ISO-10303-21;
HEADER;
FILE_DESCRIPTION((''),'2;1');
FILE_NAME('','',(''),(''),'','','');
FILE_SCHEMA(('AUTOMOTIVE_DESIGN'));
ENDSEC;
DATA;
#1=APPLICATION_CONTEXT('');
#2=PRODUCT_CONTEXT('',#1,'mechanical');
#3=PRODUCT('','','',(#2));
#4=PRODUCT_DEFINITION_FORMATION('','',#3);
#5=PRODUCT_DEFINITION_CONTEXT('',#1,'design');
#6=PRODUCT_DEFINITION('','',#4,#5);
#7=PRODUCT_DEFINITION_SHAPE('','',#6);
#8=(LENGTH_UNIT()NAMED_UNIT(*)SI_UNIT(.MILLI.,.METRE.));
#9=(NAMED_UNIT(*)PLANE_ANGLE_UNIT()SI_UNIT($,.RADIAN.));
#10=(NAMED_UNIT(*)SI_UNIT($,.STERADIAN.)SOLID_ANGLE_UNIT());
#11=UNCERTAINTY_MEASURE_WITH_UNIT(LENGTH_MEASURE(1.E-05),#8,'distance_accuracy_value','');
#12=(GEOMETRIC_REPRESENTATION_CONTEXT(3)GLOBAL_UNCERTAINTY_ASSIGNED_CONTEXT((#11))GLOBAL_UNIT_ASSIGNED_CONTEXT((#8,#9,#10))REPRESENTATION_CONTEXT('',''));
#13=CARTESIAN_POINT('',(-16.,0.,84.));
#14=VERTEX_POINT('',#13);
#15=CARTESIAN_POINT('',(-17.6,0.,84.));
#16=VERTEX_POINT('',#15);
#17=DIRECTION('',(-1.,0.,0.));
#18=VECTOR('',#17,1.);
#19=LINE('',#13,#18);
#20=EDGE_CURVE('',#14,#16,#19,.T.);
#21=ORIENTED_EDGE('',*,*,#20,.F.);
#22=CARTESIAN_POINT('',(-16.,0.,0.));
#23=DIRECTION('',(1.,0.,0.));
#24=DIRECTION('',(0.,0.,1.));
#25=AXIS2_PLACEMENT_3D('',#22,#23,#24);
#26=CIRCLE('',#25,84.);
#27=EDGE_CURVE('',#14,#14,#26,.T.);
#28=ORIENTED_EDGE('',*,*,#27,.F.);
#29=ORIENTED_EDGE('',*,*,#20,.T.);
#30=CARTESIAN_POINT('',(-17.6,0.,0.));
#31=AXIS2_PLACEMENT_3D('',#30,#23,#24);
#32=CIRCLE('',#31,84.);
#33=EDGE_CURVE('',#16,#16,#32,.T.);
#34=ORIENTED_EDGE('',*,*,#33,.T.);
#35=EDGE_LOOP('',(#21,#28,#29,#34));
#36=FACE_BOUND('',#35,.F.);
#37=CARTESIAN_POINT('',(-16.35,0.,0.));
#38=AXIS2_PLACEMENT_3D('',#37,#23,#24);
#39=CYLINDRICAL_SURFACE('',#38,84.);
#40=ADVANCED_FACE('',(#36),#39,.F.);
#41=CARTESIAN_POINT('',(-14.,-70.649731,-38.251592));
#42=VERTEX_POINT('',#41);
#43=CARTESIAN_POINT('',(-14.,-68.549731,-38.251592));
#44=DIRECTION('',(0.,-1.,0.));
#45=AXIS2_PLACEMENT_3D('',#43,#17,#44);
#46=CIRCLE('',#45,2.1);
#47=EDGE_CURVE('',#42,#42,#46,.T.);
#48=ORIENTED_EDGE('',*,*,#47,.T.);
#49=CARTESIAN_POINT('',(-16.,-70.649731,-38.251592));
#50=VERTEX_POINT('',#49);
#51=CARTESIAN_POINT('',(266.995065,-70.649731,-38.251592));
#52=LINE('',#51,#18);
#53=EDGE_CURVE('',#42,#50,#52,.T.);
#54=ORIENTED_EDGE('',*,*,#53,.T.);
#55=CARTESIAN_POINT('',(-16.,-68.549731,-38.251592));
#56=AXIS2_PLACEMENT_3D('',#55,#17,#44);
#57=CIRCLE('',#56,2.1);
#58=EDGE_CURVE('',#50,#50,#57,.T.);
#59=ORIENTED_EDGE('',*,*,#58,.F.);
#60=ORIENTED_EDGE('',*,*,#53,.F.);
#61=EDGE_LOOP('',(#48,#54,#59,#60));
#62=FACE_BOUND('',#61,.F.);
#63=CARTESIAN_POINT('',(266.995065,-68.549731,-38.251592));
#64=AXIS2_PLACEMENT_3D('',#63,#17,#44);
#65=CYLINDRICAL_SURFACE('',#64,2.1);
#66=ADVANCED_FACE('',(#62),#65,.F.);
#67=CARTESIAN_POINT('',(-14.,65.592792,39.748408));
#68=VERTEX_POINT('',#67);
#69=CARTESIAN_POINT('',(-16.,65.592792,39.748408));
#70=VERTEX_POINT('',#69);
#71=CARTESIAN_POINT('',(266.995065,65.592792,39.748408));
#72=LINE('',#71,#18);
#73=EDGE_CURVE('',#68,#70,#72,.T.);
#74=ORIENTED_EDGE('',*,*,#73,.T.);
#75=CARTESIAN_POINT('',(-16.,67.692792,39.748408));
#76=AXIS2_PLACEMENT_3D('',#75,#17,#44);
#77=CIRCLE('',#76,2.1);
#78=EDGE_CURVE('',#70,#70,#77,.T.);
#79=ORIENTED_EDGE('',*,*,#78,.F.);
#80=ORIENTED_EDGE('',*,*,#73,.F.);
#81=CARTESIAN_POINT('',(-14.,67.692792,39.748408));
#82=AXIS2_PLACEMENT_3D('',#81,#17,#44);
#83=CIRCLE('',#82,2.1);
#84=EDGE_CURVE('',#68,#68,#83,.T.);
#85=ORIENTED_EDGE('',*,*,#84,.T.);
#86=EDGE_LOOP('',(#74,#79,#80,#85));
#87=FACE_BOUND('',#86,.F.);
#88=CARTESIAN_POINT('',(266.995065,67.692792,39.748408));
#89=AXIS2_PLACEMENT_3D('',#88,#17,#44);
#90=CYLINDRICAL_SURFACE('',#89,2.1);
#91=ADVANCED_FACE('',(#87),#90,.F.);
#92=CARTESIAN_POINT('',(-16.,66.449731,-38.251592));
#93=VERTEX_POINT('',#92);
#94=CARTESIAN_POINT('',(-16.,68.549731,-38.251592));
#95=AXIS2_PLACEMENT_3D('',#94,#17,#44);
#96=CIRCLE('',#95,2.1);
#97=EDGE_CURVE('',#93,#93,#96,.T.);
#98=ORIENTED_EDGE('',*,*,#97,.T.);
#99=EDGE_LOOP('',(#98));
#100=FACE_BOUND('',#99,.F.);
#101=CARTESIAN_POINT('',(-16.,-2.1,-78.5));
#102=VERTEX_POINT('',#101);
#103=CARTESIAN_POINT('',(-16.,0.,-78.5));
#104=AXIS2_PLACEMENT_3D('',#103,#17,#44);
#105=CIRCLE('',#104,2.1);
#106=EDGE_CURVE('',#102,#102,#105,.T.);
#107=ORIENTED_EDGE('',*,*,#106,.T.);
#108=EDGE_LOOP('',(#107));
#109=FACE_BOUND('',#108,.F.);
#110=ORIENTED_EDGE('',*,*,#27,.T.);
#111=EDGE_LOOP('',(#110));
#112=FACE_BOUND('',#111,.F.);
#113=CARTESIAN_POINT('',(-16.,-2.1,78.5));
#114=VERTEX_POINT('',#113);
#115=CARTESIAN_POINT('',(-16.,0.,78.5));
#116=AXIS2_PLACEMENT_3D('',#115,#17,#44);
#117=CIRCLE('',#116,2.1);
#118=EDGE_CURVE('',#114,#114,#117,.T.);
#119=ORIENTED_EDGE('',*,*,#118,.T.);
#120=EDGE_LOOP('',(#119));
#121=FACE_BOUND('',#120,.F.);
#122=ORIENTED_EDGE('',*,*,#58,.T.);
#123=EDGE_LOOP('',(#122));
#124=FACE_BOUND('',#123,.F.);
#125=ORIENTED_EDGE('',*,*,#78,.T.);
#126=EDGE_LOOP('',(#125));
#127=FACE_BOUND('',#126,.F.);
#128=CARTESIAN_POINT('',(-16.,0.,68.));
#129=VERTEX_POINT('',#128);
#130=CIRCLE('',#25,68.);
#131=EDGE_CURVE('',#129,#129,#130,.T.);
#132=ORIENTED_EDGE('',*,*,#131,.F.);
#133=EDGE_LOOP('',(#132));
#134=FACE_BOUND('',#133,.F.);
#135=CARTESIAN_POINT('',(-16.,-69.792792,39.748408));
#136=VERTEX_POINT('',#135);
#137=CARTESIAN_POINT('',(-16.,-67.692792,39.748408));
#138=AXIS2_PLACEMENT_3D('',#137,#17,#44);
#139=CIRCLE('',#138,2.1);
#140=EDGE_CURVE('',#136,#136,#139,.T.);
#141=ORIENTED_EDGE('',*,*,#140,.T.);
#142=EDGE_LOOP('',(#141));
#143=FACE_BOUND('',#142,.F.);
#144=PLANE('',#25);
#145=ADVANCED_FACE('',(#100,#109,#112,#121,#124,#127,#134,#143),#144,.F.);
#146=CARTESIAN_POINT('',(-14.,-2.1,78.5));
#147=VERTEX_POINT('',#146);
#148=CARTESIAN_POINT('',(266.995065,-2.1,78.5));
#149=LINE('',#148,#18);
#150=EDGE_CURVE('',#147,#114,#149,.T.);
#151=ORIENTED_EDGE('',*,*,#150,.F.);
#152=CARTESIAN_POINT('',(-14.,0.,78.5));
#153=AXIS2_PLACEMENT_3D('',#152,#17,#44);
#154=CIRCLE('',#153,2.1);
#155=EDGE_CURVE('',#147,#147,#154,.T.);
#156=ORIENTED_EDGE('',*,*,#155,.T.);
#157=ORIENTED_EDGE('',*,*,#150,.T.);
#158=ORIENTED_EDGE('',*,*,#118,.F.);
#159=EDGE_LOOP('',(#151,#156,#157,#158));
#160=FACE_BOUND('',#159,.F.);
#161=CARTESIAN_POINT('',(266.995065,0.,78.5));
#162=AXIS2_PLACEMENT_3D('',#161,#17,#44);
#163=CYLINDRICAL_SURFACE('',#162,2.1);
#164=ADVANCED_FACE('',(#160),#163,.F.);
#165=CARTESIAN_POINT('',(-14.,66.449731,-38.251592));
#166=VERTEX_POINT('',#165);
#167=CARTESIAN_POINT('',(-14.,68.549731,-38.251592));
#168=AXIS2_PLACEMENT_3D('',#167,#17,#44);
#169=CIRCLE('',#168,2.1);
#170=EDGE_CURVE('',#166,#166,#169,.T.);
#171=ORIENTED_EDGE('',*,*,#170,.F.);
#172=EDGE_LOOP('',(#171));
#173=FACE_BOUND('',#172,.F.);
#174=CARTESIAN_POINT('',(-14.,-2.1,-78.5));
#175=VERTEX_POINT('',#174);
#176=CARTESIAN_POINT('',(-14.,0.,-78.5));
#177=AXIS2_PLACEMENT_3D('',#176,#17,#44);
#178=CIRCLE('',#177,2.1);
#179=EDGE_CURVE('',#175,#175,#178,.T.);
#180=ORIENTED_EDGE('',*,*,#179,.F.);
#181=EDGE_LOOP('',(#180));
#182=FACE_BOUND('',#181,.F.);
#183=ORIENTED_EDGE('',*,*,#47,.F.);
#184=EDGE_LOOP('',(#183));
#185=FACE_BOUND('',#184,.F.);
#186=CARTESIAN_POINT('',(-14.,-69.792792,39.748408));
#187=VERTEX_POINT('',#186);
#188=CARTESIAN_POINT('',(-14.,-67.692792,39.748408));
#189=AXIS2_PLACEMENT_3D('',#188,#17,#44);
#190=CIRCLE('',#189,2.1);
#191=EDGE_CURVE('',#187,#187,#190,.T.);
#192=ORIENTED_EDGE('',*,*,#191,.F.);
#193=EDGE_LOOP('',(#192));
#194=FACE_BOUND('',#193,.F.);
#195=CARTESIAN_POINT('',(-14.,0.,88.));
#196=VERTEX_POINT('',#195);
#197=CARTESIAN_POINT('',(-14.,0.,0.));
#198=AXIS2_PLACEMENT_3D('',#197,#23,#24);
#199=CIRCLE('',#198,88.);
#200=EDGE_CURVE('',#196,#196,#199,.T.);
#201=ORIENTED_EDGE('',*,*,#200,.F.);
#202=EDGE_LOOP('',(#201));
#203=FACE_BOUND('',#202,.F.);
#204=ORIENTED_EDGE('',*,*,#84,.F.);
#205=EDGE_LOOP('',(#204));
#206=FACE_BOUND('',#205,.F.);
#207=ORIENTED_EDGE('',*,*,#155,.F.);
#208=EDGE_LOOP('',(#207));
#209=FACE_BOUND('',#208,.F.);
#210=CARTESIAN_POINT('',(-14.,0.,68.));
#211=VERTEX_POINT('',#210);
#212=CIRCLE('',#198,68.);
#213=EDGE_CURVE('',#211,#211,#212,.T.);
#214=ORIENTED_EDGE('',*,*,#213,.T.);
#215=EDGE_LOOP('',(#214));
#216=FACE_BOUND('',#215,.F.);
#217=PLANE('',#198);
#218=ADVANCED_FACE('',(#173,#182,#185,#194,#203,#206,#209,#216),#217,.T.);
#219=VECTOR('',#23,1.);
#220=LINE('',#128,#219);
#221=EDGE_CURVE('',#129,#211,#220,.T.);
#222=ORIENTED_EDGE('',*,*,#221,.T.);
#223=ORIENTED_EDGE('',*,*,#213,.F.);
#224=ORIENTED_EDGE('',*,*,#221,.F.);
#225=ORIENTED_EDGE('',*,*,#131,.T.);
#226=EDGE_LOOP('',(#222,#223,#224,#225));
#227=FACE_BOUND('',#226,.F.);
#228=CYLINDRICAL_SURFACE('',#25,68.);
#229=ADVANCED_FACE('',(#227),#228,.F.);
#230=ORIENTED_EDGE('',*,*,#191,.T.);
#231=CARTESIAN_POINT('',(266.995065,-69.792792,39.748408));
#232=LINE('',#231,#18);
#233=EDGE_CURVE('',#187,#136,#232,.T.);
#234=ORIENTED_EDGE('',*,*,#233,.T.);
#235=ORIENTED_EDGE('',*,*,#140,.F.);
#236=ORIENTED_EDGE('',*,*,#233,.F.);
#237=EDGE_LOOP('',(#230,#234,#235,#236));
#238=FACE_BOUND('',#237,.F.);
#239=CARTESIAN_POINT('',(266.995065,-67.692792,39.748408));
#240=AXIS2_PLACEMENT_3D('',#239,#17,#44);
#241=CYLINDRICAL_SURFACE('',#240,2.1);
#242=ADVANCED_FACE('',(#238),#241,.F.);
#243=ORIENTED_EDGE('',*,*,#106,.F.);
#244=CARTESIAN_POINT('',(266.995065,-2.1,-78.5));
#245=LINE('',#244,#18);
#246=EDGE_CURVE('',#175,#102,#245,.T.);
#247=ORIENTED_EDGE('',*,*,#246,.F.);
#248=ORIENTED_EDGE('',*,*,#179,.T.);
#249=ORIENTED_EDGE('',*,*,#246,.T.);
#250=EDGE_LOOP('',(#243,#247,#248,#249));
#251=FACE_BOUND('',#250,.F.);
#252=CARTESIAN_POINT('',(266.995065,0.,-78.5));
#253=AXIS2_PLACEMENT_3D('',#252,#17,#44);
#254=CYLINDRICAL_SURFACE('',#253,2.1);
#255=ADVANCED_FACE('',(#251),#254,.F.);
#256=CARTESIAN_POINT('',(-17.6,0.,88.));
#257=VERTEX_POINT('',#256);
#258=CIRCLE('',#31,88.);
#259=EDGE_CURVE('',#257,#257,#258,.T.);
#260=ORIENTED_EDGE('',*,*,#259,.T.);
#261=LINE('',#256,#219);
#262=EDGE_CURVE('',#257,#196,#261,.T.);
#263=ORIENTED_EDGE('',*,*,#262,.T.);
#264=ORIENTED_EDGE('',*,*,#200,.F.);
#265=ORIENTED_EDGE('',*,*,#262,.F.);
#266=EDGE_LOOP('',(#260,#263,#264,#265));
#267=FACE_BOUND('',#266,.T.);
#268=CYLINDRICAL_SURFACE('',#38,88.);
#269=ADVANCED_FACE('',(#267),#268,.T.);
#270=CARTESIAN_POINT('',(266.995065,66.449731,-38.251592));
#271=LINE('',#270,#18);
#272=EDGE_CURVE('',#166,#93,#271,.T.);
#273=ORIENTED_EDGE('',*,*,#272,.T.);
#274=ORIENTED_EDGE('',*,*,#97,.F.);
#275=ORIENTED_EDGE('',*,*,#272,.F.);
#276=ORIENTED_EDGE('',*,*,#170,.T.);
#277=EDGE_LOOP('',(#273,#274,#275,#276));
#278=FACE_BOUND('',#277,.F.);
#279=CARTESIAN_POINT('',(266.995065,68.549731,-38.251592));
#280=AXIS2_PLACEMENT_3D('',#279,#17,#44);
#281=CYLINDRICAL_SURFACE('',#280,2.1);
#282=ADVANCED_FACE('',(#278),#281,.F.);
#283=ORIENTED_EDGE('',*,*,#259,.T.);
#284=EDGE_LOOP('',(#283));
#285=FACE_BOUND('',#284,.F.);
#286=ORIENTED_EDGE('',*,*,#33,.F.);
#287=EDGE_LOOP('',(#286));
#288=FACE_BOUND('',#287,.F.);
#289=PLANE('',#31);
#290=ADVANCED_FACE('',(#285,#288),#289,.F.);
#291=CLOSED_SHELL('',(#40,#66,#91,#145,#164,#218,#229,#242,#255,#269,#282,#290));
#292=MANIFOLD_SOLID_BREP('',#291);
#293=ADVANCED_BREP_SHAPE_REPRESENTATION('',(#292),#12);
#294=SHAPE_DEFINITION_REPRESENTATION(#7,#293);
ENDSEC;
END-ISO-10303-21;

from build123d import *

# Parameters (mm, degrees)
F2_DEPTH = 0.7
F3_DEPTH = 0.35
F5_D     = 4.2
F6_DEPTH = 1.25
F7_DEPTH = 30


with BuildPart() as f1:
    # F0 (on Front) → F1 (revolve)
    with BuildSketch(Plane.XZ):
        Polygon((-16, 84), (-16, 68), (16, 68), (16, 84), (16.35, 84), (16.35, 88), (-16.35, 88), (-16.35, 84), align=None)
    revolve(axis=Axis((-7.2666932824, 0, 0), (1, 0, 0)))

    # F2 (cut): a face of the model
    f2_faces = [f1.faces().sort_by_distance(p)[0] for p in [
        (16.35, 0, -86.4890158698),
    ]]
    extrude(f2_faces, amount=-F2_DEPTH, mode=Mode.SUBTRACT)

    # F3 (add): a face of the model
    f3_faces = [f1.faces().sort_by_distance(p)[0] for p in [
        (15.65, 0, -86.4890158698),
    ]]
    extrude(f3_faces, amount=F3_DEPTH)

    # F5 (through all)
    with Locations(Plane.YZ.offset(16)):
        with Locations((-67.6927920079, 39.7484076433), (0, 78.5), (67.6927920079, 39.7484076433), (68.5497314523, -38.2515923567), (0, -78.5), (-68.5497314523, -38.2515923567)):
            Hole(F5_D / 2)

    # F6 (add): a face of the model
    f6_faces = [f1.faces().sort_by_distance(p)[0] for p in [
        (-16.35, 0, -85.5109841302),
    ]]
    extrude(f6_faces, amount=F6_DEPTH)

    # F7 (cut): a face of the model
    f7_faces = [f1.faces().sort_by_distance(p)[0] for p in [
        (16, 0, -85.5109841302),
    ]]
    extrude(f7_faces, amount=-F7_DEPTH, mode=Mode.SUBTRACT)


solid = f1.part
